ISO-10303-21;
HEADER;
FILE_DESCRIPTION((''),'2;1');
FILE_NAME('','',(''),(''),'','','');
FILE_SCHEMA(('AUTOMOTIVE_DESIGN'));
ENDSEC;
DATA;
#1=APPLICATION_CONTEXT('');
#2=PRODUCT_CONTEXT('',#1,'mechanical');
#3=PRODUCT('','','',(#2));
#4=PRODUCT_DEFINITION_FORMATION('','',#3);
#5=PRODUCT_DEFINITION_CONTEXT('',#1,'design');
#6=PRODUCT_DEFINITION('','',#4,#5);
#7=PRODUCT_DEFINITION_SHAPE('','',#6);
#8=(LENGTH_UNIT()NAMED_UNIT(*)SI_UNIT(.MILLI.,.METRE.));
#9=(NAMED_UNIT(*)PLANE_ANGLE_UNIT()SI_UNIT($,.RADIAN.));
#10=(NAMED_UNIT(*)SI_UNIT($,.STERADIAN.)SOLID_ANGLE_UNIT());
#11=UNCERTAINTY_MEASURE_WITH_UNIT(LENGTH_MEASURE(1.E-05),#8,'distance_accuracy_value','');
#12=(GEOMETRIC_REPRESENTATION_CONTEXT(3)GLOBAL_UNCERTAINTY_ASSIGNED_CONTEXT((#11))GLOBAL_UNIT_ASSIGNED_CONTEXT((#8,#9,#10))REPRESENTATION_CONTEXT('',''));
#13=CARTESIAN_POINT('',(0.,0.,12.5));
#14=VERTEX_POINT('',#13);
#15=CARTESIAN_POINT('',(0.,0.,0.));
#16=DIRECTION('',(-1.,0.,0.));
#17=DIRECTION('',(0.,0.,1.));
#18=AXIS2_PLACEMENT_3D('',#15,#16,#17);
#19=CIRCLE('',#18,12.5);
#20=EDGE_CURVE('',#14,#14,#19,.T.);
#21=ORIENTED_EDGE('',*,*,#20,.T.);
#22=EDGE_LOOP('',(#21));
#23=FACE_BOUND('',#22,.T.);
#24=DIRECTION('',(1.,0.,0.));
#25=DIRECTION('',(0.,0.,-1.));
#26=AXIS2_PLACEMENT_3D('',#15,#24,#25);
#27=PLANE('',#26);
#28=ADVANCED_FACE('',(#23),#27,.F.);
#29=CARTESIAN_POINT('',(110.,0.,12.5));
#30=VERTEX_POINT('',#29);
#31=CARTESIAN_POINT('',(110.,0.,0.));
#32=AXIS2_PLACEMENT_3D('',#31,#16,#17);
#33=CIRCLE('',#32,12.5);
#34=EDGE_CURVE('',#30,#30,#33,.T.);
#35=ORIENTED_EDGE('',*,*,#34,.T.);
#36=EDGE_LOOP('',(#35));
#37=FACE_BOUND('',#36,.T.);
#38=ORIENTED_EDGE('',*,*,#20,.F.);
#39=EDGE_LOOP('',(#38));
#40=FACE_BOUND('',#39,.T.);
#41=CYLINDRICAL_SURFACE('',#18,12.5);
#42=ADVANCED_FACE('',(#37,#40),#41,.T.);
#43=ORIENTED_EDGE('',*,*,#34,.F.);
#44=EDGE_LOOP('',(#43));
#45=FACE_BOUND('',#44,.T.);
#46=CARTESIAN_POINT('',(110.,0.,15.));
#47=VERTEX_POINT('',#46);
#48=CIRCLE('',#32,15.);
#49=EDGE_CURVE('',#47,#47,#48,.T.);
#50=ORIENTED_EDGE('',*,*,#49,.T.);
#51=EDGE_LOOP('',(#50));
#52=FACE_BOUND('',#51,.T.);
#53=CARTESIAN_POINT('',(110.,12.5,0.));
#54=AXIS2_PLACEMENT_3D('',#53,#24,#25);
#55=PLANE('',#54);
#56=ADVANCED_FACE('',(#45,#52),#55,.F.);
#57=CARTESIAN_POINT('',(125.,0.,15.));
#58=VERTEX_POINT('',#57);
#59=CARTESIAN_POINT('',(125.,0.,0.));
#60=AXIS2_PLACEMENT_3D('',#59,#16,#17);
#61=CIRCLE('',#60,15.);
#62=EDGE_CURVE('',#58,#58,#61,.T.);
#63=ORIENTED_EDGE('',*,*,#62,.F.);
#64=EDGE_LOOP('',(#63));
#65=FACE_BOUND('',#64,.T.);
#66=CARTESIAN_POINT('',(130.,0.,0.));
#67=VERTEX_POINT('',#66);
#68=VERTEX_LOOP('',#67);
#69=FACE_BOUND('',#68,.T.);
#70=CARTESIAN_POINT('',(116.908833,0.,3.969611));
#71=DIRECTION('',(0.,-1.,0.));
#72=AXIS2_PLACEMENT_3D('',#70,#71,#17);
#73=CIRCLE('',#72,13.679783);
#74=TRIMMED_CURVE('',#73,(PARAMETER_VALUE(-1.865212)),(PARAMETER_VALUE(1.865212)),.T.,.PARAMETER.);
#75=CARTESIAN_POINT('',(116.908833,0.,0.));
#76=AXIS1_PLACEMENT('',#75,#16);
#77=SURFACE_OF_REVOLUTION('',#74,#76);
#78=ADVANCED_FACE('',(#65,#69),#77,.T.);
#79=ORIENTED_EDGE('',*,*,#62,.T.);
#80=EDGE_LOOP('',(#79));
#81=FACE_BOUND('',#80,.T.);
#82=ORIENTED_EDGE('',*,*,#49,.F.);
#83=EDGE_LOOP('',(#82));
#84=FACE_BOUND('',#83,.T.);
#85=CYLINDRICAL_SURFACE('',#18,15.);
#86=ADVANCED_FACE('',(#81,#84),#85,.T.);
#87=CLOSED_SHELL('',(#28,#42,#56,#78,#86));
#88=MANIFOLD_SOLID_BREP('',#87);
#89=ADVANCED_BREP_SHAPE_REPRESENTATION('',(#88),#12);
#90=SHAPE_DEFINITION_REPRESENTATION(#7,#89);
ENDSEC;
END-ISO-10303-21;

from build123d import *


with BuildPart() as part:
    # 草圖1 → 旋轉1 (revolve)
    with BuildSketch(Plane.XY, mode=Mode.PRIVATE) as revolve_1_sk:
        with BuildLine():
            Line((0, 0), (0, 12.5))
            Line((0, 12.5), (110, 12.5))
            Line((110, 12.5), (110, 15))
            Line((110, 15), (125, 15))
            ThreePointArc((125, 15), (129.886614683, 8.295538228), (130, 0))
            Line((130, 0), (0, 0))
        make_face()
    revolve(revolve_1_sk.sketch.rotate(Axis((0, 0, 0), (1, 0, 0)), 90), axis=Axis((0, 0, 0), (1, 0, 0)))


solid = part.part
